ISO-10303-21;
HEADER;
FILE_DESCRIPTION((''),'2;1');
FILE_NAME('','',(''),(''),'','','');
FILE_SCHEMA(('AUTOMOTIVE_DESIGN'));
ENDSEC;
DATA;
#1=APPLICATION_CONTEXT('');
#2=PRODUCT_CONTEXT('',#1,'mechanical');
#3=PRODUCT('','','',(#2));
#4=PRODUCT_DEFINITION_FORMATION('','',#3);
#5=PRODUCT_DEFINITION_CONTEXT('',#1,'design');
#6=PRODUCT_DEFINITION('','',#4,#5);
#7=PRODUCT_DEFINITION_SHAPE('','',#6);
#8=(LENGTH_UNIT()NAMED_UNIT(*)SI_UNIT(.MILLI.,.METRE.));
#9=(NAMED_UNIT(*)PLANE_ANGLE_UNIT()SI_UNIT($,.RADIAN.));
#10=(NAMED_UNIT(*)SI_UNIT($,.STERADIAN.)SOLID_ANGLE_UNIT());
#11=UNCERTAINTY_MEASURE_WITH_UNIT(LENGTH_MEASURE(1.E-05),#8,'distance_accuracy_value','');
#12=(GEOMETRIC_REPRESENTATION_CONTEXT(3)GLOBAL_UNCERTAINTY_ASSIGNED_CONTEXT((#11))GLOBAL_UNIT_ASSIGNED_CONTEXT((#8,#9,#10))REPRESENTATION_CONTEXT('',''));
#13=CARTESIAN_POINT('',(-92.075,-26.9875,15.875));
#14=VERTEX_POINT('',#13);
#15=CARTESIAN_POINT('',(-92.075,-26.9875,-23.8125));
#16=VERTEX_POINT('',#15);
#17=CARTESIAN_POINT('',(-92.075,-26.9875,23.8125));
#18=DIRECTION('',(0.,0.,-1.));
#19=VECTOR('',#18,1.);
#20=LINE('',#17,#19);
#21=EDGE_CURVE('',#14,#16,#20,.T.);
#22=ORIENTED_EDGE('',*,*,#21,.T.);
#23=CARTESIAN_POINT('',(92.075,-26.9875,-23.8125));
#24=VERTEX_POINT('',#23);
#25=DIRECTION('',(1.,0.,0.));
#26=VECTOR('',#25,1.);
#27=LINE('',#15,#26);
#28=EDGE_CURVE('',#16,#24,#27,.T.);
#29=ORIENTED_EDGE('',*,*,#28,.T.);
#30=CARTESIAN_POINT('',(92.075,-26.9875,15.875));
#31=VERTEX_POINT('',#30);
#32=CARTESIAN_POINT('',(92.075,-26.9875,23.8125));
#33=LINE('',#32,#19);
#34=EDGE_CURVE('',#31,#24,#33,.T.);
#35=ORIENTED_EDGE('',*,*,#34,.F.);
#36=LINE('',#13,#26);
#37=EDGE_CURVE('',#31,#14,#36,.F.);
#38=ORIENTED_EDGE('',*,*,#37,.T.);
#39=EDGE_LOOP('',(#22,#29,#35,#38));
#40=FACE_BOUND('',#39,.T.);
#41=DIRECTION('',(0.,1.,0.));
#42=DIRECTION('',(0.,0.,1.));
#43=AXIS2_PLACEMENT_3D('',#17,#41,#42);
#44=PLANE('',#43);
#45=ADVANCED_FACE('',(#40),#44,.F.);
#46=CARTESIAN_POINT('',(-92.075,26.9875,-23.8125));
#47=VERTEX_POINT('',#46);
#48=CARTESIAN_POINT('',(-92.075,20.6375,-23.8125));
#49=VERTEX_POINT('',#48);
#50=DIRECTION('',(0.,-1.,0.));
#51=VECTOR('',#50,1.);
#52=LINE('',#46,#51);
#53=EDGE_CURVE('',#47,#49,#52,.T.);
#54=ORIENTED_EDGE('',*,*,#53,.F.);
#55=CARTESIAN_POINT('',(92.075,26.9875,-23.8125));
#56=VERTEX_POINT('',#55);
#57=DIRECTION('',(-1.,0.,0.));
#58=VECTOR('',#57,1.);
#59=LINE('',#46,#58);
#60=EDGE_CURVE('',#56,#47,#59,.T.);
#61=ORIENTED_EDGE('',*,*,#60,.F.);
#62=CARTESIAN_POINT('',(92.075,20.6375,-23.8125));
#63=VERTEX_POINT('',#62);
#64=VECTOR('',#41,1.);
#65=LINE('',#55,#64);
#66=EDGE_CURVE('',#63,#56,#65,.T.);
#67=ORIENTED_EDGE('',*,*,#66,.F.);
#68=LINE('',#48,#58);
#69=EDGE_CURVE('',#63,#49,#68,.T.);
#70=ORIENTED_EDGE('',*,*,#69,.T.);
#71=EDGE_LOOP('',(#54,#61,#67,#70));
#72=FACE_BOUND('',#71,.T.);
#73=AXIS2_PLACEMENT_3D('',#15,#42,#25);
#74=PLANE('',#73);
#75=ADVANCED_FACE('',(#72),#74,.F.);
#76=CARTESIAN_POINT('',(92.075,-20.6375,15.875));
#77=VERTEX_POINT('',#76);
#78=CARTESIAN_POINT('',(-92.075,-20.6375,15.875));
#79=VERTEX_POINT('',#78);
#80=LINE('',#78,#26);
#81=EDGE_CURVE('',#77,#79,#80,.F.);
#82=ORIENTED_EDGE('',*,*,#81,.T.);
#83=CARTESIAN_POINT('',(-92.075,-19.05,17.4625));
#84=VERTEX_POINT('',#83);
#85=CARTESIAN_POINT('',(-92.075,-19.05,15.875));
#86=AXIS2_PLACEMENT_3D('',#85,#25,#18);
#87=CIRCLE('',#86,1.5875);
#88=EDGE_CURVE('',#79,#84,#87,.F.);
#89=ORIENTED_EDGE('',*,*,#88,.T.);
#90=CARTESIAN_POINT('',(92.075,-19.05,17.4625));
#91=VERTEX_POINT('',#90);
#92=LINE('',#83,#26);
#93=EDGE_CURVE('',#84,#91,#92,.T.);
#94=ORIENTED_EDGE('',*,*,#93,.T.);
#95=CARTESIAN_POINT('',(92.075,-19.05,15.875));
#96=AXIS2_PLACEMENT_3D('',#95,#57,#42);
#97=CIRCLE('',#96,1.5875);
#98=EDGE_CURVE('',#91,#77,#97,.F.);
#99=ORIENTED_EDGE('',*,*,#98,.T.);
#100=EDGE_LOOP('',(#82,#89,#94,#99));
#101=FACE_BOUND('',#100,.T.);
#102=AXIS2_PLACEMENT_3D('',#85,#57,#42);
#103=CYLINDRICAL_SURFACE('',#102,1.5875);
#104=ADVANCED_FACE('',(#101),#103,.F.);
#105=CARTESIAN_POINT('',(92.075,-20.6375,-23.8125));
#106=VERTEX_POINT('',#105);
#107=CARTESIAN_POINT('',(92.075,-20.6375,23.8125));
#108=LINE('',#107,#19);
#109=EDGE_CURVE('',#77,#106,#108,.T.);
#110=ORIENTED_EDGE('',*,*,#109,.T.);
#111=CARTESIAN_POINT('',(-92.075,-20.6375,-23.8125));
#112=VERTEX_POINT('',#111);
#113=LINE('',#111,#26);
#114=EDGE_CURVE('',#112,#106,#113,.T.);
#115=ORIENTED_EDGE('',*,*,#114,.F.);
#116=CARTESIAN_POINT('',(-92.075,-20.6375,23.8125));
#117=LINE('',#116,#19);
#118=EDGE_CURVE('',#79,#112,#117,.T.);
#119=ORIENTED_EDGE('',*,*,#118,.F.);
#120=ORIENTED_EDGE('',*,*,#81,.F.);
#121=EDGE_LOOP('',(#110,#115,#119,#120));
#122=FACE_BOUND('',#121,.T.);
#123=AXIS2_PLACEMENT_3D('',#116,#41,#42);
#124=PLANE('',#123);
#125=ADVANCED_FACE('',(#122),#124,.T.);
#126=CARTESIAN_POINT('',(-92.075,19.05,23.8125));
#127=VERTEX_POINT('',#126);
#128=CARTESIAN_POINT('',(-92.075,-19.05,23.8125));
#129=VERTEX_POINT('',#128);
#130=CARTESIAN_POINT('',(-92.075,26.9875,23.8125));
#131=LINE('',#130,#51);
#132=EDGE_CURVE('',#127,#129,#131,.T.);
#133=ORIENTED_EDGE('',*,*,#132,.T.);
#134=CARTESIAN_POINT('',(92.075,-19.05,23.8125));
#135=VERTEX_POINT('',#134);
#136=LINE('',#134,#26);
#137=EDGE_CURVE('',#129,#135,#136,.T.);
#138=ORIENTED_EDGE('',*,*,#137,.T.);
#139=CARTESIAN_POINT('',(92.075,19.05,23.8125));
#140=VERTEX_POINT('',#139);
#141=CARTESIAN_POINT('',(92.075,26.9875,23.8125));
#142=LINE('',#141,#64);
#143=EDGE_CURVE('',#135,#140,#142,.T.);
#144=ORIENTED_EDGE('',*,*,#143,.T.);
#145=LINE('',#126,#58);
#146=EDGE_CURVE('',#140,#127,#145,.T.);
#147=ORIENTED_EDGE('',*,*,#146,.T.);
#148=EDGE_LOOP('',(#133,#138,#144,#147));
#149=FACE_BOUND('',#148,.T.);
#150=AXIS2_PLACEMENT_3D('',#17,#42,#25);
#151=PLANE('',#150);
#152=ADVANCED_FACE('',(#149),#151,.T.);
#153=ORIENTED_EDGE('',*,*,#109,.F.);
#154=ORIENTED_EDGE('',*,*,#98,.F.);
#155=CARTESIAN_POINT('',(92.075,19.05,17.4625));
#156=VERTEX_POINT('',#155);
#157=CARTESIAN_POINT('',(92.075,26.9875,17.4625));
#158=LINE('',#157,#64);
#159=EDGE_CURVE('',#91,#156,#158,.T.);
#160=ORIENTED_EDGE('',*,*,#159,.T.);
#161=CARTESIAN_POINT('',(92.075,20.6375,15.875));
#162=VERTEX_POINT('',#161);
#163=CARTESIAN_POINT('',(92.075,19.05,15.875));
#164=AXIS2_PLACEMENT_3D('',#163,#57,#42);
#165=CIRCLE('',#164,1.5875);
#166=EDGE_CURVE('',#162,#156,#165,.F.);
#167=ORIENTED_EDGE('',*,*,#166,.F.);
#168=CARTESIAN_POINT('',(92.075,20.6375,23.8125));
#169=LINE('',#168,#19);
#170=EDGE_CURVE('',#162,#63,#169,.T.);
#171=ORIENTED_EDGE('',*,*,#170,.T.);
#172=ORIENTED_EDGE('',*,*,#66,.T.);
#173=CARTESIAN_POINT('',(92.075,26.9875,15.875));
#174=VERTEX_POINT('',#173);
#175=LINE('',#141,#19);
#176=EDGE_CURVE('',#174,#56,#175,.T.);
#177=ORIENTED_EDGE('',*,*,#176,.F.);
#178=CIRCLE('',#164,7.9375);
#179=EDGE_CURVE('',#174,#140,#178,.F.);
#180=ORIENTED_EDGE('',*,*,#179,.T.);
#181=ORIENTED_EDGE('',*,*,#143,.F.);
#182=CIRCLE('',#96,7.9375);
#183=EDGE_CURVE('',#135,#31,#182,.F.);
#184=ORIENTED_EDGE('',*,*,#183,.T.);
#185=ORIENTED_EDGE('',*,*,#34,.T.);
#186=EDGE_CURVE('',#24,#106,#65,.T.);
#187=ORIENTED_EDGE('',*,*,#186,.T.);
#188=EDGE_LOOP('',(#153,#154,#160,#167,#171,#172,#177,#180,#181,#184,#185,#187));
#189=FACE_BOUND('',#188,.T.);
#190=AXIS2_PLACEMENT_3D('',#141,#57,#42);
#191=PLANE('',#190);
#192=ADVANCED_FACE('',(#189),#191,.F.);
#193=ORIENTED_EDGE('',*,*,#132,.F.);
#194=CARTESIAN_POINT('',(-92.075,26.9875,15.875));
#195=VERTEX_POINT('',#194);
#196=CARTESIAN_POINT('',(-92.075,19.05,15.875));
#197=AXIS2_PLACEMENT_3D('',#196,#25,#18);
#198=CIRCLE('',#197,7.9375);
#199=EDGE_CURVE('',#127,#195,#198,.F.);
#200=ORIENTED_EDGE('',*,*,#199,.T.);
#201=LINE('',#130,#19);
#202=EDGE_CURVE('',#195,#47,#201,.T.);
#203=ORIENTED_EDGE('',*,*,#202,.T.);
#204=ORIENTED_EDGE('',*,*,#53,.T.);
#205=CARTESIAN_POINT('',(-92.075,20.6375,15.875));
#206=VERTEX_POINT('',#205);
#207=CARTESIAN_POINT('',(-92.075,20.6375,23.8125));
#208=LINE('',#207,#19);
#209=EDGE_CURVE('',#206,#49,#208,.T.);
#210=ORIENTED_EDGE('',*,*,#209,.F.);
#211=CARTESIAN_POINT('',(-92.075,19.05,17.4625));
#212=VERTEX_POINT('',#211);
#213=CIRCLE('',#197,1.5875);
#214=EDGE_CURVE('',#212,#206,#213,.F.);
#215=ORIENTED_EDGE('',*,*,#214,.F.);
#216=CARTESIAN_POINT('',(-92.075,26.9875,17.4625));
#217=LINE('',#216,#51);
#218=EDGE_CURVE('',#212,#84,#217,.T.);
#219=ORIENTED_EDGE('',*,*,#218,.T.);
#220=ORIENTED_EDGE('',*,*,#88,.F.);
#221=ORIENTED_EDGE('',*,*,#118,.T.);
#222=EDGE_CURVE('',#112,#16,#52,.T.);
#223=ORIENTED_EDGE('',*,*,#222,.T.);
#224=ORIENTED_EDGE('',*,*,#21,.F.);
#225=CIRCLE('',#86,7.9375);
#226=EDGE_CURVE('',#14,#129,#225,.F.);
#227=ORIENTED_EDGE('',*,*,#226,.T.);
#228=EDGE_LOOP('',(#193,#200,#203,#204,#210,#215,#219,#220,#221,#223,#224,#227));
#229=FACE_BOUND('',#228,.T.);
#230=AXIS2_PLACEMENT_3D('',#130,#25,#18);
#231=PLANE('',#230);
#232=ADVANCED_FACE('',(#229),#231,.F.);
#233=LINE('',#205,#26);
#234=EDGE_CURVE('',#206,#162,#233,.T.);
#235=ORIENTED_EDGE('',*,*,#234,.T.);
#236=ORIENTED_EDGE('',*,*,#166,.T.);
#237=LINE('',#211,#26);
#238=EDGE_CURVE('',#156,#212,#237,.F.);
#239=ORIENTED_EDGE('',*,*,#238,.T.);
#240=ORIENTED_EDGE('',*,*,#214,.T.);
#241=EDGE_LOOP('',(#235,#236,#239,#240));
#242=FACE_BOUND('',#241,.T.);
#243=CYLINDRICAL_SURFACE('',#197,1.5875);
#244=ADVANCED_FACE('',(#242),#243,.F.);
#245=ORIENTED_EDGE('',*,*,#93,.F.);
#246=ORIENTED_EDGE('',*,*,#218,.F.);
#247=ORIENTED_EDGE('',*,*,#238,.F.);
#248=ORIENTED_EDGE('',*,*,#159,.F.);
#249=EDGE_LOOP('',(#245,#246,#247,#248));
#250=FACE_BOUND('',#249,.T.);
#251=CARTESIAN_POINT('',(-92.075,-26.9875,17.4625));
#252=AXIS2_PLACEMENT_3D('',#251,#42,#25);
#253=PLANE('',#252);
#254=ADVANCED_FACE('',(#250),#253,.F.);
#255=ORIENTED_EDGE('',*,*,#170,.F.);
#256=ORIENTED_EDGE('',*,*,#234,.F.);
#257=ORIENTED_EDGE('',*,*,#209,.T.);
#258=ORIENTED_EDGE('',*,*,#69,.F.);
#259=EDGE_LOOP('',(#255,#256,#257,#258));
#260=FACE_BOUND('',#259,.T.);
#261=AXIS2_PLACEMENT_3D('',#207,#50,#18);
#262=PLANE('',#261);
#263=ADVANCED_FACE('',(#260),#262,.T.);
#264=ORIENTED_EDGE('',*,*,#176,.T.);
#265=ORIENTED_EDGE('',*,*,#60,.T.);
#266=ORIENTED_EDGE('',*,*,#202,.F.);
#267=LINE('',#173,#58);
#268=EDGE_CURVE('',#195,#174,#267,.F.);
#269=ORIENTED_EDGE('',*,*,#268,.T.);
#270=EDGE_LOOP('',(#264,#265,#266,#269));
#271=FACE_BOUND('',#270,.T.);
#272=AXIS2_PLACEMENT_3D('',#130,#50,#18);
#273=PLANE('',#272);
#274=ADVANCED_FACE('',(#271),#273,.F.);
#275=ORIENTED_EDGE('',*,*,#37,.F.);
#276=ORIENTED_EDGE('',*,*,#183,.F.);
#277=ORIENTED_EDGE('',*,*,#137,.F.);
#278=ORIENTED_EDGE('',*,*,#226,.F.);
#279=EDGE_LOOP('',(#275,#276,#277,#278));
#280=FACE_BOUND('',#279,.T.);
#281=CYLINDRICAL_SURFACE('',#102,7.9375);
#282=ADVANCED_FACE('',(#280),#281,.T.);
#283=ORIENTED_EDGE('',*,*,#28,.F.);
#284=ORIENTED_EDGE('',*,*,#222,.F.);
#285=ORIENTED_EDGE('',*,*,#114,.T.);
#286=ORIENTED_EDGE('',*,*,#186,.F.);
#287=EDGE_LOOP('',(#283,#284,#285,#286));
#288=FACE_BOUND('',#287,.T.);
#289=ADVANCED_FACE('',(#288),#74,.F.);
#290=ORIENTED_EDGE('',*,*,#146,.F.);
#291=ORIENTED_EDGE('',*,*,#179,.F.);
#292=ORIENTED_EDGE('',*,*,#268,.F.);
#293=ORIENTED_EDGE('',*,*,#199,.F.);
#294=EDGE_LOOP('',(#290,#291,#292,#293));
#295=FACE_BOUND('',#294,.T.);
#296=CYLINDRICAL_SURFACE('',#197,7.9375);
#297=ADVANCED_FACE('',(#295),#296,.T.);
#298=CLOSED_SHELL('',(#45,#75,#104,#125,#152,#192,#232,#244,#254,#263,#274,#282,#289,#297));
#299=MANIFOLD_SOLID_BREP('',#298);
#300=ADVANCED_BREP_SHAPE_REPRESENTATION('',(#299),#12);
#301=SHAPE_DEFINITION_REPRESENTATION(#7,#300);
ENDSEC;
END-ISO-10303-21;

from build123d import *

# Parameters (mm, degrees)
SKETCH1_W           = 184.15
SKETCH1_H           = 53.975
BOSS_EXTRUDE1_DEPTH = 23.8125
FILLET1_R           = 7.9375
SHELL1_T            = -6.35


with BuildPart() as part:
    # Sketch1 → Boss-Extrude1 (new, symmetric)
    with BuildSketch(Plane.XY):
        Rectangle(SKETCH1_W, SKETCH1_H)
    extrude(amount=BOSS_EXTRUDE1_DEPTH, both=True)

    # Fillet1
    fillet1_edges = [part.edges().sort_by_distance(p)[0] for p in [
        (0, 26.9875, 23.8125),
        (0, -26.9875, 23.8125),
    ]]
    fillet(fillet1_edges, radius=FILLET1_R)

    # Shell1
    shell1_openings = [part.faces().sort_by_distance(p)[0] for p in [
        (0, 0, -23.8125),
        (92.075, 0, -0.234313972),
        (-92.075, 0, -0.234313972),
    ]]
    offset(amount=SHELL1_T, openings=shell1_openings, kind=Kind.INTERSECTION)


solid = part.part
